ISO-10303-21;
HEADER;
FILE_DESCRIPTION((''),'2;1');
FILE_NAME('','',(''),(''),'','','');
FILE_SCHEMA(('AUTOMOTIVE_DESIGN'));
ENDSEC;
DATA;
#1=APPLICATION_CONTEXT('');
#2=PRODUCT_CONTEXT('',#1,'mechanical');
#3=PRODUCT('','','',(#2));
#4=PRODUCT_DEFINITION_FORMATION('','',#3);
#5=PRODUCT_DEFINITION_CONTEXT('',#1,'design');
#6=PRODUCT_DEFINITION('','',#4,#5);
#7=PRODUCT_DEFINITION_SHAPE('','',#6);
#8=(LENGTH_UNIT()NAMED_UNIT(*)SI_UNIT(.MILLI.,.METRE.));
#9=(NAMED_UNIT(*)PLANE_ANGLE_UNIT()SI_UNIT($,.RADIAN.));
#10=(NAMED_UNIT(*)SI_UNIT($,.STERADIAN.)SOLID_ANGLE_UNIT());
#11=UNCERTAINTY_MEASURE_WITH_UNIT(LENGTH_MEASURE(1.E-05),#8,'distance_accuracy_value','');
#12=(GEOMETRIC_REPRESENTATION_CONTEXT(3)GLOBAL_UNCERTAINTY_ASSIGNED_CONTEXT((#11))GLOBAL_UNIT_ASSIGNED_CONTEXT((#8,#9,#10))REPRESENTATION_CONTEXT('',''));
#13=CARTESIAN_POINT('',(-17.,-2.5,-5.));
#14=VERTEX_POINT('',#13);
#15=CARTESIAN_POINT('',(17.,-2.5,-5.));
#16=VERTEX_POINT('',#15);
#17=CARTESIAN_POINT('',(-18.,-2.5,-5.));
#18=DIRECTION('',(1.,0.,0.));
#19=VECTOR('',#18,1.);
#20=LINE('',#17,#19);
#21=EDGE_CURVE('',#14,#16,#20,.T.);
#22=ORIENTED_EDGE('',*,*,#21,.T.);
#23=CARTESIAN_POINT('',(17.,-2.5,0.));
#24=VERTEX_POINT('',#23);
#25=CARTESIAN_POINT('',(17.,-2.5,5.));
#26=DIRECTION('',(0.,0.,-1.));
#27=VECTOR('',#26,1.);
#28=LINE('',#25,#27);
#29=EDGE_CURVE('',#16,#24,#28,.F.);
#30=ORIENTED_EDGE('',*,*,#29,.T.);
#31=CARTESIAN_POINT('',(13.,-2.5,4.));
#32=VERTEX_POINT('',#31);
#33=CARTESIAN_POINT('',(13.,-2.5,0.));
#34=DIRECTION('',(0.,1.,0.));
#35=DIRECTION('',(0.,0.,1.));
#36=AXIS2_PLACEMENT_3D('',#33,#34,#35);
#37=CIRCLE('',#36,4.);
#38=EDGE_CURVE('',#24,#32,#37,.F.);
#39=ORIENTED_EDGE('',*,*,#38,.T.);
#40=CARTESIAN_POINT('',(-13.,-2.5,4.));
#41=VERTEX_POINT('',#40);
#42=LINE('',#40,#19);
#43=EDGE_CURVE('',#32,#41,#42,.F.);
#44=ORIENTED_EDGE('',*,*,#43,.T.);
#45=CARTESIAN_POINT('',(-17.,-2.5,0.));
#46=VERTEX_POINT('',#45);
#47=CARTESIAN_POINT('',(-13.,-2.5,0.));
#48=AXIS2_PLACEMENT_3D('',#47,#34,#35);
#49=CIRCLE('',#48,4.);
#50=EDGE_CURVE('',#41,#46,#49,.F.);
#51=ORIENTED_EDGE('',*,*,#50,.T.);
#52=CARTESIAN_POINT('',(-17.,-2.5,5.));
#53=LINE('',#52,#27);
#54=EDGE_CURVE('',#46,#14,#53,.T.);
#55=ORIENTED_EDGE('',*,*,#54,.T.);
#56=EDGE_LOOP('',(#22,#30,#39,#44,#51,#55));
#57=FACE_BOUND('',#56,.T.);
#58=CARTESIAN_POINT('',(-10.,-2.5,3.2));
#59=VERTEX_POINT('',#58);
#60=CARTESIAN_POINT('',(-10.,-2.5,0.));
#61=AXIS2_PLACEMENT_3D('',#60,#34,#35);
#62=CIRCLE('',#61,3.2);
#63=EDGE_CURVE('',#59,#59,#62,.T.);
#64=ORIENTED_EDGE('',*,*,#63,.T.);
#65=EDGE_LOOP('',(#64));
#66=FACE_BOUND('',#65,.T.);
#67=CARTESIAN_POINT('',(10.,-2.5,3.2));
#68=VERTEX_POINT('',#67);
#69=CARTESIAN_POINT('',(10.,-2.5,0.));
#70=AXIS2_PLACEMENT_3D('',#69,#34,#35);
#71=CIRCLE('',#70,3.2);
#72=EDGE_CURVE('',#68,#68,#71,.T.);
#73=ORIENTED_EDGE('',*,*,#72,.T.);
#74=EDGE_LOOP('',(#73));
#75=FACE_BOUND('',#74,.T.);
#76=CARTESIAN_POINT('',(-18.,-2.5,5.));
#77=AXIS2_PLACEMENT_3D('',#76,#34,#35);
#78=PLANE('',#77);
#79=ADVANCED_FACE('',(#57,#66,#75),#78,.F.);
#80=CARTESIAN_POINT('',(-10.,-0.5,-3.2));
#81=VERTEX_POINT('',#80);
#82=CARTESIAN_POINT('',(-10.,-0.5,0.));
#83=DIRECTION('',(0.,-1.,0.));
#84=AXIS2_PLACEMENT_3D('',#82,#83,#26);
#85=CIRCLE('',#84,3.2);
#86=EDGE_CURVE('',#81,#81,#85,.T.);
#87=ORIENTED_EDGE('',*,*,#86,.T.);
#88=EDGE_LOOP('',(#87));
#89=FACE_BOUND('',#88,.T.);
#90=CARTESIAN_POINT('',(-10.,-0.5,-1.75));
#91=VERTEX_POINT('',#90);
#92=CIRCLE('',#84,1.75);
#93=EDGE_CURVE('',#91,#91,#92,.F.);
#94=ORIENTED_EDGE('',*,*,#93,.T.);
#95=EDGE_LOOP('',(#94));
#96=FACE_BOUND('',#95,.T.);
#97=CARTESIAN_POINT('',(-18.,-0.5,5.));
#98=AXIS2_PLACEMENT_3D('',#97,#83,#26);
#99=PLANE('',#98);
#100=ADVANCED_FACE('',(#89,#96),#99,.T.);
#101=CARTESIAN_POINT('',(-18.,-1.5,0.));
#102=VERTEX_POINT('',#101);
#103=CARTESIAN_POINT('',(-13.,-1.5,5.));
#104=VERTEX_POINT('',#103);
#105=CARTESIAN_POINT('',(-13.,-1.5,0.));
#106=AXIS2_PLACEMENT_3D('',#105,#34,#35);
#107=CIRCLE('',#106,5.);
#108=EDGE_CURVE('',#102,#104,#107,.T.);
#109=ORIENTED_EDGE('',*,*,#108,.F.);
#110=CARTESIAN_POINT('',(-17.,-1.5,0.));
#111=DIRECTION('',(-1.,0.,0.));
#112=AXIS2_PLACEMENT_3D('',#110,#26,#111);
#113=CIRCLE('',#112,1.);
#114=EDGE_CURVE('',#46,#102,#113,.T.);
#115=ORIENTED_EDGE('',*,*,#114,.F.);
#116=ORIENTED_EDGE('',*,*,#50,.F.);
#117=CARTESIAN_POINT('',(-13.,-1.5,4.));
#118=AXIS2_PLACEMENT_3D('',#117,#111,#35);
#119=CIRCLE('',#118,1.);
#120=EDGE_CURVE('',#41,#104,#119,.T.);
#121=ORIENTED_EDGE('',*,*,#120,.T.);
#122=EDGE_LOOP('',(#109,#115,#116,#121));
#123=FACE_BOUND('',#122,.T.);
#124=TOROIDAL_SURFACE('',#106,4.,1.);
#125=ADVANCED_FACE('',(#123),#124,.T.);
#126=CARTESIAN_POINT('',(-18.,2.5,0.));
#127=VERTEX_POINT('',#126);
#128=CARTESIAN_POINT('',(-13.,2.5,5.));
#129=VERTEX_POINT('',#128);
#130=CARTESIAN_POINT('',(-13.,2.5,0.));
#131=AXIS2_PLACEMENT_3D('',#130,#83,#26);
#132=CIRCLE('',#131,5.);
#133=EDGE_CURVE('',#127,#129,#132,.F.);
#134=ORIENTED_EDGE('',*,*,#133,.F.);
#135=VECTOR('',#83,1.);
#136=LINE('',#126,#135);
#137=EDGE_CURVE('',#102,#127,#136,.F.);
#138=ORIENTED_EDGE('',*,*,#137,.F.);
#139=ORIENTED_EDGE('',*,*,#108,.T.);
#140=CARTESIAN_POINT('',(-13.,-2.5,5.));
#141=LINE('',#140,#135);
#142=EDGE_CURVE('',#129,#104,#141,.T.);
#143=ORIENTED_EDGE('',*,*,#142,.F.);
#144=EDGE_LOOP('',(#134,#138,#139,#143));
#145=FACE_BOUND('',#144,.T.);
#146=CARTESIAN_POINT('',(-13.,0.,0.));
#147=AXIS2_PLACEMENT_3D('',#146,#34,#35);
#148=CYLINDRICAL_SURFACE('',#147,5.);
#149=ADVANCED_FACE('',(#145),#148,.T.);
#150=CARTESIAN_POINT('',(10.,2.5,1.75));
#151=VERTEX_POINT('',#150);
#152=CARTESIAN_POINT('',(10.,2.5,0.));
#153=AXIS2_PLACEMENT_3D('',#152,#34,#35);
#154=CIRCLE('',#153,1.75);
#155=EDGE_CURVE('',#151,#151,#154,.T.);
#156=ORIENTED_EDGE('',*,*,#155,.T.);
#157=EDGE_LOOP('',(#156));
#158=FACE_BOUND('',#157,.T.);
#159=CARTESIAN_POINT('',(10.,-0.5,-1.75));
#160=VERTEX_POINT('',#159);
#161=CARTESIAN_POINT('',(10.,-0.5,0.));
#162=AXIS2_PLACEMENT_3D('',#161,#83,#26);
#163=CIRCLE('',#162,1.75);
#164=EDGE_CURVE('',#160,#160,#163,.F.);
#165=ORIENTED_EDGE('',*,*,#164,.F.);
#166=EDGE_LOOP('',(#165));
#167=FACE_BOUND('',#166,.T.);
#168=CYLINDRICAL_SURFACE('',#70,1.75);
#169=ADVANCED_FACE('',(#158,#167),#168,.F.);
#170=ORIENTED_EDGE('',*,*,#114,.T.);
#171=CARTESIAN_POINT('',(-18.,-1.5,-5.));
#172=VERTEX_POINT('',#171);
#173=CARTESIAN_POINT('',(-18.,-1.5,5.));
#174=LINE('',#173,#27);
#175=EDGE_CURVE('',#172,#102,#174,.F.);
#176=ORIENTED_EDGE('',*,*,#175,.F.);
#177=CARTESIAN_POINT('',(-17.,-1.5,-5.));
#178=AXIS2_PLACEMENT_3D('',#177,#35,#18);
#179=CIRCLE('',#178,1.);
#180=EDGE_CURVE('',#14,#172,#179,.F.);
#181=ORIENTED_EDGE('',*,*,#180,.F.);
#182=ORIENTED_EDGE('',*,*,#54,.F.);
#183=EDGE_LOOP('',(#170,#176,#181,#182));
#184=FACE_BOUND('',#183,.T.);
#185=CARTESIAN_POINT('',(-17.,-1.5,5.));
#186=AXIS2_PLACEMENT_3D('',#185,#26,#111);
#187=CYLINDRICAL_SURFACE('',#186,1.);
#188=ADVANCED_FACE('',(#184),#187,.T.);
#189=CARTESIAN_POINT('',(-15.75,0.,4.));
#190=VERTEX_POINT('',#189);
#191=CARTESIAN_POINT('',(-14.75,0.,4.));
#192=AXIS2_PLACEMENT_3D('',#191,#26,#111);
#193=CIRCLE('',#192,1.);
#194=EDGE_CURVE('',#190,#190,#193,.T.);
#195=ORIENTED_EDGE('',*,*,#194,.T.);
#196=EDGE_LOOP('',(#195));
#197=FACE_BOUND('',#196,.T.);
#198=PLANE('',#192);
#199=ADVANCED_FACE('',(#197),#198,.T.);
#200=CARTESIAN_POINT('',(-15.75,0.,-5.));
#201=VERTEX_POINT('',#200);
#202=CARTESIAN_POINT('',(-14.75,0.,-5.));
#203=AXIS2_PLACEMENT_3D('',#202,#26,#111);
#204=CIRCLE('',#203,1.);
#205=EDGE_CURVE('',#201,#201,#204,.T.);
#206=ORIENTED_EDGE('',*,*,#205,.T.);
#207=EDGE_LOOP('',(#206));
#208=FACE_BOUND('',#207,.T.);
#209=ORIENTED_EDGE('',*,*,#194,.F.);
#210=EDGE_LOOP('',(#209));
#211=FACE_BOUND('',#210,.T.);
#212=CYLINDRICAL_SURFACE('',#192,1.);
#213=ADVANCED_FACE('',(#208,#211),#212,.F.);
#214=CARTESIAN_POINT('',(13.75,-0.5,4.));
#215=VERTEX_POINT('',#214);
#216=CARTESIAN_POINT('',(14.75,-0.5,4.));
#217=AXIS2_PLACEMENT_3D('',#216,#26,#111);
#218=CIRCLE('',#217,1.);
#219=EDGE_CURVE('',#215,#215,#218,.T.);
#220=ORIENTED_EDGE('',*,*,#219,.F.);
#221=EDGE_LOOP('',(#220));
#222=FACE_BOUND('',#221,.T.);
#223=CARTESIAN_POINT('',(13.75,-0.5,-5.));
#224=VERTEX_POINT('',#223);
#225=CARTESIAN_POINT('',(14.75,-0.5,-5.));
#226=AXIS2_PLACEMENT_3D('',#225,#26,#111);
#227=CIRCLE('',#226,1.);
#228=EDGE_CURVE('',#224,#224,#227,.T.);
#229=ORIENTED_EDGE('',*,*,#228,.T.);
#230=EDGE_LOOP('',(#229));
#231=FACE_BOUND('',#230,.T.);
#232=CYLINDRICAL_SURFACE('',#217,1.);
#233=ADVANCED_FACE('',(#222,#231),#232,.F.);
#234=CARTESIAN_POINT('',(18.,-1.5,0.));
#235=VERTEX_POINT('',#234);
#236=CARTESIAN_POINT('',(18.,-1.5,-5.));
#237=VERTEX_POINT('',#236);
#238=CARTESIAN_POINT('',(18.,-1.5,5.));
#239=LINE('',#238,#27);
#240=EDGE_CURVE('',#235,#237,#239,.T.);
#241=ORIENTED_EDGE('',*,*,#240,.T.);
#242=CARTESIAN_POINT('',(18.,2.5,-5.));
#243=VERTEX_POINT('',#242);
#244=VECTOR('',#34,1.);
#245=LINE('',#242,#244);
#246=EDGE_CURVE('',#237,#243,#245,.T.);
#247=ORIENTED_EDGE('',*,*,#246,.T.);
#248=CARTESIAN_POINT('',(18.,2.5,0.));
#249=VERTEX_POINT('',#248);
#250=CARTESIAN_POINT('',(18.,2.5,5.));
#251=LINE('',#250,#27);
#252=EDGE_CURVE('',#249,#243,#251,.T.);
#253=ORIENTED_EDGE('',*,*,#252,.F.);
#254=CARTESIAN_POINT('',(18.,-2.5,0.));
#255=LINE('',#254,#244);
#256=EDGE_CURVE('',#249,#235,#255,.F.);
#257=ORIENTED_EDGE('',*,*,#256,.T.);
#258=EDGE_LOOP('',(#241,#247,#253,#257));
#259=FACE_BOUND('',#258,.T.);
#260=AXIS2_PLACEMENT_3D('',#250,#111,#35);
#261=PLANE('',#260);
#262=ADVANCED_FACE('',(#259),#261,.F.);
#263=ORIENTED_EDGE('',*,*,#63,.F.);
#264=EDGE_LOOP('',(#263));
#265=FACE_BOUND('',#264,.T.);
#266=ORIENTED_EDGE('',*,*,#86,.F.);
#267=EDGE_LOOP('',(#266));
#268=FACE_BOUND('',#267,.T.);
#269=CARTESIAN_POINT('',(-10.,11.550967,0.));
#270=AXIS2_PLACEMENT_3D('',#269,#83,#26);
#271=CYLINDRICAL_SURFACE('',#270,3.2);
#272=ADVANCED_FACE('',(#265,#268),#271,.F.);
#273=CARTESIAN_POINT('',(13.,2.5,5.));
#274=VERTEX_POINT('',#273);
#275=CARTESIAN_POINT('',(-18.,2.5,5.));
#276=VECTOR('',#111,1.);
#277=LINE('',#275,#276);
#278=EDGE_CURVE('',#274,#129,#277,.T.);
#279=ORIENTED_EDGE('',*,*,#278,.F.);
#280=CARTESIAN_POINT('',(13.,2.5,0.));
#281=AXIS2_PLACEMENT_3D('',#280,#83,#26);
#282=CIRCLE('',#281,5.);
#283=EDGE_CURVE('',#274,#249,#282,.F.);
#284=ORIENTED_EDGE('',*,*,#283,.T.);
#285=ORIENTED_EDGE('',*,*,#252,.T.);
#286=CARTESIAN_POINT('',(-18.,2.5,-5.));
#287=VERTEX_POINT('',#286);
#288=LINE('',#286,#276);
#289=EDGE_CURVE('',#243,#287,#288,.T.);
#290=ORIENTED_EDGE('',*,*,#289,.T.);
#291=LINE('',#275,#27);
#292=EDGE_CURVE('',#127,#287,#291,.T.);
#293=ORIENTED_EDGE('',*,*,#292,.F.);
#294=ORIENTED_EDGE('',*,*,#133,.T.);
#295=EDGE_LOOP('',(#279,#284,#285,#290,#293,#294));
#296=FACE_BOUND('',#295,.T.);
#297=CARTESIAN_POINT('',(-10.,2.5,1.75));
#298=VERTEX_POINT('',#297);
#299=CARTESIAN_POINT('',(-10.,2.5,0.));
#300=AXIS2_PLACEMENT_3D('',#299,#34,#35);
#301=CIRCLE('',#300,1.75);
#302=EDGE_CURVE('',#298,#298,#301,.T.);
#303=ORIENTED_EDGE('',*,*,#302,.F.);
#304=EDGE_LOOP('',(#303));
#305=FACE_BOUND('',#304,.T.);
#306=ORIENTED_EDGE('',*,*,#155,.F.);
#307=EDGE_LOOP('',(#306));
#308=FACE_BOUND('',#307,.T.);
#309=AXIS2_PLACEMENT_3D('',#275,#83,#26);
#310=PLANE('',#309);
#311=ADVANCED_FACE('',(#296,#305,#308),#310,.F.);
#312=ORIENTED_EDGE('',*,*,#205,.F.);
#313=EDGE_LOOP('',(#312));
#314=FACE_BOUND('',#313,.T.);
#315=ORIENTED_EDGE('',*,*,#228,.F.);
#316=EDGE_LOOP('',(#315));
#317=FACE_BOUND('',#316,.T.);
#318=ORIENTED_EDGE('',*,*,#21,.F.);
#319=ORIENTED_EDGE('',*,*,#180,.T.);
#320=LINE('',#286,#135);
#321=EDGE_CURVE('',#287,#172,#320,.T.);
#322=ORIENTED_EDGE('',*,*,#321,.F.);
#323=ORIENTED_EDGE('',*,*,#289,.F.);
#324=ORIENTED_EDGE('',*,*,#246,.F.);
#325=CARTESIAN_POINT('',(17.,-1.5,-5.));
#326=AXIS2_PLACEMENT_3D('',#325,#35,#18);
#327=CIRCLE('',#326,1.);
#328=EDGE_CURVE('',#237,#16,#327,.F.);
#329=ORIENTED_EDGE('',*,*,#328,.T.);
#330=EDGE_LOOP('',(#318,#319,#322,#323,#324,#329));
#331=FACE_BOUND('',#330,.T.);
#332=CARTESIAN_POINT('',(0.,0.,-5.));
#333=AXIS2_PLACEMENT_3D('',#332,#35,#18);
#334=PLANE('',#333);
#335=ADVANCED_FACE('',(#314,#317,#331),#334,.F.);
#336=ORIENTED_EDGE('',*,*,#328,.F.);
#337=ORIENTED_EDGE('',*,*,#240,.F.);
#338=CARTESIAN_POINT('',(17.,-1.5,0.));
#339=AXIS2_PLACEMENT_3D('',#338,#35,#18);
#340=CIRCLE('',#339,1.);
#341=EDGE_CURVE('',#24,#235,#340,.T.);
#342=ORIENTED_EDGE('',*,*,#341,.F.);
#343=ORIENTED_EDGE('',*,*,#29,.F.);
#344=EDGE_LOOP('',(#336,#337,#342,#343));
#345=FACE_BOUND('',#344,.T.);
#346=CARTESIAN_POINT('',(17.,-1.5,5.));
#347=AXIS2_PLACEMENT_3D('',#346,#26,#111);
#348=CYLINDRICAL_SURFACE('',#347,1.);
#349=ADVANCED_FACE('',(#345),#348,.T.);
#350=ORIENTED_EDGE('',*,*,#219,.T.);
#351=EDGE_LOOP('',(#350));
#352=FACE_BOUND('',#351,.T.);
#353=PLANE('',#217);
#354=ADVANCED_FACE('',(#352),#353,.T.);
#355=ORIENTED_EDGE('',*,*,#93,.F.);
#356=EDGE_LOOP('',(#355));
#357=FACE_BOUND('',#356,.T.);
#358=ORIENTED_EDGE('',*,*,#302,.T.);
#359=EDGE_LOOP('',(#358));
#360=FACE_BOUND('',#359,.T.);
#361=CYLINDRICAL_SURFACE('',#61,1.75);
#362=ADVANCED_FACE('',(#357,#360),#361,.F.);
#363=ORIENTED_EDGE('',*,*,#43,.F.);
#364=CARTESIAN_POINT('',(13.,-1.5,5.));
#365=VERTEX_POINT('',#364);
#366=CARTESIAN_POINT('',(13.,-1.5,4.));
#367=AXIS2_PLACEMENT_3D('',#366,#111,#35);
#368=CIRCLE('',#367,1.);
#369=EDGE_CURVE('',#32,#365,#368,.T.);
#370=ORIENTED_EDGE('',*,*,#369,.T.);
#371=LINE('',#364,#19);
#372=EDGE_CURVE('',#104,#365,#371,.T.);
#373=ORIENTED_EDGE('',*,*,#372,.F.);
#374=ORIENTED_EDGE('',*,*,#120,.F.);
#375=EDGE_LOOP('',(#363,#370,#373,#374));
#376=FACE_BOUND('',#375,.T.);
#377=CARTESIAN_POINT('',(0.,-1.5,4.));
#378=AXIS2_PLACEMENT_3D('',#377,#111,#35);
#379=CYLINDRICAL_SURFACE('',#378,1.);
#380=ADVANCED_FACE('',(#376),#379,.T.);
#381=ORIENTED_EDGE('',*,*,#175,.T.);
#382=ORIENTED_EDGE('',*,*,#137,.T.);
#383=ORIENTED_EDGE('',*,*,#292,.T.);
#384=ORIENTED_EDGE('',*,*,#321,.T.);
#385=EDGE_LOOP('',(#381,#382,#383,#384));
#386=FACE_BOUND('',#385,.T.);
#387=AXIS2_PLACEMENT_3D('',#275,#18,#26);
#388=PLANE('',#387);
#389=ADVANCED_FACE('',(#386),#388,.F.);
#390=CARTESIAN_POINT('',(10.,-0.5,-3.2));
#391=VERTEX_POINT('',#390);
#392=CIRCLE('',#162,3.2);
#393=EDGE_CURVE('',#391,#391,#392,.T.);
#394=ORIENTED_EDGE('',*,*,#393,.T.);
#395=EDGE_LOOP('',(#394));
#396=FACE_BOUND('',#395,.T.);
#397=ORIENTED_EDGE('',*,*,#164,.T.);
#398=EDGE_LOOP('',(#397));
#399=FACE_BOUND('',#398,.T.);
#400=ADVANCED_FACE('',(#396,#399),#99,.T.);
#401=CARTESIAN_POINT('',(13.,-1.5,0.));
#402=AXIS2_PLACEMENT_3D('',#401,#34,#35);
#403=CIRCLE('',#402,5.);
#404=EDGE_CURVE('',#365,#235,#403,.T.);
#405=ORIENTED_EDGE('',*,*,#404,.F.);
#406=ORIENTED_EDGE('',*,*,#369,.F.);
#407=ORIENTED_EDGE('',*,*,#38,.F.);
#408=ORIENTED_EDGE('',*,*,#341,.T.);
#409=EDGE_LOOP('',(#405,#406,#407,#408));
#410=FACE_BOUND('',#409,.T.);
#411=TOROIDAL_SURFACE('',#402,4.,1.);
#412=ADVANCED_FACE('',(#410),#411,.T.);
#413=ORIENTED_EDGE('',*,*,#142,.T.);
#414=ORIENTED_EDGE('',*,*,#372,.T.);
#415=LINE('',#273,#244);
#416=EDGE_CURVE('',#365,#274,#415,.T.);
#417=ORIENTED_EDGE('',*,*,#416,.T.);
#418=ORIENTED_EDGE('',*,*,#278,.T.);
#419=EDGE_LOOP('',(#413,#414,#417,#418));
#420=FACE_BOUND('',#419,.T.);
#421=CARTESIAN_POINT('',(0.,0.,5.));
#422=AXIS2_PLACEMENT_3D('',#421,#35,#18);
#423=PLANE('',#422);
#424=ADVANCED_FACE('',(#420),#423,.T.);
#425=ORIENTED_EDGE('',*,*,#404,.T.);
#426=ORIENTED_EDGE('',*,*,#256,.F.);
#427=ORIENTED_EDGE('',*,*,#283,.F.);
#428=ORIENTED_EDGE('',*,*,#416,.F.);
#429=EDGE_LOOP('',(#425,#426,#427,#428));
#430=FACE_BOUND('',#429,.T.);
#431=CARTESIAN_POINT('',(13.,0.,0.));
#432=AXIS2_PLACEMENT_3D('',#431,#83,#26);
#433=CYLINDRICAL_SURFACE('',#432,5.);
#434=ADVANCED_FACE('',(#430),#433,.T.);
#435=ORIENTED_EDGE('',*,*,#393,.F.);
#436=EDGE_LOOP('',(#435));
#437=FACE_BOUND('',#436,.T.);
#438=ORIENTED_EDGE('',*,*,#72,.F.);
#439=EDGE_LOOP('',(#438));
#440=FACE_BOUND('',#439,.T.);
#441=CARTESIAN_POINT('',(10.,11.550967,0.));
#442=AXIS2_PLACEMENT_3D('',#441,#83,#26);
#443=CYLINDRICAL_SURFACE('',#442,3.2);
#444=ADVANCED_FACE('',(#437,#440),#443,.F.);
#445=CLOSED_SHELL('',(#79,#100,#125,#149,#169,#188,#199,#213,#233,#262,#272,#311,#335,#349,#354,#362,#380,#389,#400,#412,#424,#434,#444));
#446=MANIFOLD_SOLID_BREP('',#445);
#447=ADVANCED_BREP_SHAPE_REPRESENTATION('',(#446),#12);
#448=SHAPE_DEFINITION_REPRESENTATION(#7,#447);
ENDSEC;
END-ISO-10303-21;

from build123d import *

# Parameters (mm, degrees)
SKETCH_1_W             = 36
SKETCH_1_H             = 5
EXTRUDE_376_DEPTH      = 5
SKETCH_4_R             = 1
I2C_DEPTH              = 9
SKETCH_5_R             = 1.75
CUT_EXTRUDE_974_DEPTH  = 20.339079606
SKETCH_6_R             = 3.2
CUT_EXTRUDE_1213_DEPTH = 2
FILLET_1_R             = 5
FILLET_2_R             = 1


with BuildPart() as part:
    # Эскиз1 → Extrude 376 (new, symmetric)
    with BuildSketch(Plane.XY):
        Rectangle(SKETCH_1_W, SKETCH_1_H)
    extrude(amount=EXTRUDE_376_DEPTH, both=True)

    # Эскиз4 → i2c (cut)
    with BuildSketch(Plane(origin=(0, 0, -5), x_dir=(-1, 0, 0), z_dir=(0, 0, -1))):
        with Locations((-14.75, -0.5)):
            Circle(SKETCH_4_R)
        with Locations((14.75, 0)):
            Circle(SKETCH_4_R)
    extrude(amount=-I2C_DEPTH, mode=Mode.SUBTRACT)

    # Эскиз5 → Cut-Extrude 974 (cut, through all)
    with BuildSketch(Plane(origin=(0, 2.5, 0), x_dir=(1, 0, 0), z_dir=(0, 1, 0))):
        with Locations(Location((-10, 0, 0), (0, 0, 270))):
            Circle(SKETCH_5_R)
        with Locations(Location((10, 0, 0), (0, 0, 270))):
            Circle(SKETCH_5_R)
    extrude(amount=-CUT_EXTRUDE_974_DEPTH, mode=Mode.SUBTRACT)

    # Эскиз6 → Cut-Extrude 1213 (cut)
    with BuildSketch(Plane(origin=(0, -2.5, 0), x_dir=(1, 0, 0), z_dir=(0, 1, 0))):
        with Locations(Location((-10, 0, 0), (0, 0, 90))):
            Circle(SKETCH_6_R)
        with Locations(Location((10, 0, 0), (0, 0, 90))):
            Circle(SKETCH_6_R)
    extrude(amount=CUT_EXTRUDE_1213_DEPTH, mode=Mode.SUBTRACT)

    # Скругление1
    fillet_1_edges = [part.edges().sort_by_distance(p)[0] for p in [
        (18, 0, 5),
        (-18, 0, 5),
    ]]
    fillet(fillet_1_edges, radius=FILLET_1_R)

    # Скругление2
    fillet_2_edges = [part.edges().sort_by_distance(p)[0] for p in [
        (0, -2.5, 5),
        (18, -2.5, -2.5),
        (-18, -2.5, -2.5),
        (16.535533906, -2.5, 3.535533906),
        (-16.535533906, -2.5, 3.535533906),
    ]]
    fillet(fillet_2_edges, radius=FILLET_2_R)


solid = part.part
